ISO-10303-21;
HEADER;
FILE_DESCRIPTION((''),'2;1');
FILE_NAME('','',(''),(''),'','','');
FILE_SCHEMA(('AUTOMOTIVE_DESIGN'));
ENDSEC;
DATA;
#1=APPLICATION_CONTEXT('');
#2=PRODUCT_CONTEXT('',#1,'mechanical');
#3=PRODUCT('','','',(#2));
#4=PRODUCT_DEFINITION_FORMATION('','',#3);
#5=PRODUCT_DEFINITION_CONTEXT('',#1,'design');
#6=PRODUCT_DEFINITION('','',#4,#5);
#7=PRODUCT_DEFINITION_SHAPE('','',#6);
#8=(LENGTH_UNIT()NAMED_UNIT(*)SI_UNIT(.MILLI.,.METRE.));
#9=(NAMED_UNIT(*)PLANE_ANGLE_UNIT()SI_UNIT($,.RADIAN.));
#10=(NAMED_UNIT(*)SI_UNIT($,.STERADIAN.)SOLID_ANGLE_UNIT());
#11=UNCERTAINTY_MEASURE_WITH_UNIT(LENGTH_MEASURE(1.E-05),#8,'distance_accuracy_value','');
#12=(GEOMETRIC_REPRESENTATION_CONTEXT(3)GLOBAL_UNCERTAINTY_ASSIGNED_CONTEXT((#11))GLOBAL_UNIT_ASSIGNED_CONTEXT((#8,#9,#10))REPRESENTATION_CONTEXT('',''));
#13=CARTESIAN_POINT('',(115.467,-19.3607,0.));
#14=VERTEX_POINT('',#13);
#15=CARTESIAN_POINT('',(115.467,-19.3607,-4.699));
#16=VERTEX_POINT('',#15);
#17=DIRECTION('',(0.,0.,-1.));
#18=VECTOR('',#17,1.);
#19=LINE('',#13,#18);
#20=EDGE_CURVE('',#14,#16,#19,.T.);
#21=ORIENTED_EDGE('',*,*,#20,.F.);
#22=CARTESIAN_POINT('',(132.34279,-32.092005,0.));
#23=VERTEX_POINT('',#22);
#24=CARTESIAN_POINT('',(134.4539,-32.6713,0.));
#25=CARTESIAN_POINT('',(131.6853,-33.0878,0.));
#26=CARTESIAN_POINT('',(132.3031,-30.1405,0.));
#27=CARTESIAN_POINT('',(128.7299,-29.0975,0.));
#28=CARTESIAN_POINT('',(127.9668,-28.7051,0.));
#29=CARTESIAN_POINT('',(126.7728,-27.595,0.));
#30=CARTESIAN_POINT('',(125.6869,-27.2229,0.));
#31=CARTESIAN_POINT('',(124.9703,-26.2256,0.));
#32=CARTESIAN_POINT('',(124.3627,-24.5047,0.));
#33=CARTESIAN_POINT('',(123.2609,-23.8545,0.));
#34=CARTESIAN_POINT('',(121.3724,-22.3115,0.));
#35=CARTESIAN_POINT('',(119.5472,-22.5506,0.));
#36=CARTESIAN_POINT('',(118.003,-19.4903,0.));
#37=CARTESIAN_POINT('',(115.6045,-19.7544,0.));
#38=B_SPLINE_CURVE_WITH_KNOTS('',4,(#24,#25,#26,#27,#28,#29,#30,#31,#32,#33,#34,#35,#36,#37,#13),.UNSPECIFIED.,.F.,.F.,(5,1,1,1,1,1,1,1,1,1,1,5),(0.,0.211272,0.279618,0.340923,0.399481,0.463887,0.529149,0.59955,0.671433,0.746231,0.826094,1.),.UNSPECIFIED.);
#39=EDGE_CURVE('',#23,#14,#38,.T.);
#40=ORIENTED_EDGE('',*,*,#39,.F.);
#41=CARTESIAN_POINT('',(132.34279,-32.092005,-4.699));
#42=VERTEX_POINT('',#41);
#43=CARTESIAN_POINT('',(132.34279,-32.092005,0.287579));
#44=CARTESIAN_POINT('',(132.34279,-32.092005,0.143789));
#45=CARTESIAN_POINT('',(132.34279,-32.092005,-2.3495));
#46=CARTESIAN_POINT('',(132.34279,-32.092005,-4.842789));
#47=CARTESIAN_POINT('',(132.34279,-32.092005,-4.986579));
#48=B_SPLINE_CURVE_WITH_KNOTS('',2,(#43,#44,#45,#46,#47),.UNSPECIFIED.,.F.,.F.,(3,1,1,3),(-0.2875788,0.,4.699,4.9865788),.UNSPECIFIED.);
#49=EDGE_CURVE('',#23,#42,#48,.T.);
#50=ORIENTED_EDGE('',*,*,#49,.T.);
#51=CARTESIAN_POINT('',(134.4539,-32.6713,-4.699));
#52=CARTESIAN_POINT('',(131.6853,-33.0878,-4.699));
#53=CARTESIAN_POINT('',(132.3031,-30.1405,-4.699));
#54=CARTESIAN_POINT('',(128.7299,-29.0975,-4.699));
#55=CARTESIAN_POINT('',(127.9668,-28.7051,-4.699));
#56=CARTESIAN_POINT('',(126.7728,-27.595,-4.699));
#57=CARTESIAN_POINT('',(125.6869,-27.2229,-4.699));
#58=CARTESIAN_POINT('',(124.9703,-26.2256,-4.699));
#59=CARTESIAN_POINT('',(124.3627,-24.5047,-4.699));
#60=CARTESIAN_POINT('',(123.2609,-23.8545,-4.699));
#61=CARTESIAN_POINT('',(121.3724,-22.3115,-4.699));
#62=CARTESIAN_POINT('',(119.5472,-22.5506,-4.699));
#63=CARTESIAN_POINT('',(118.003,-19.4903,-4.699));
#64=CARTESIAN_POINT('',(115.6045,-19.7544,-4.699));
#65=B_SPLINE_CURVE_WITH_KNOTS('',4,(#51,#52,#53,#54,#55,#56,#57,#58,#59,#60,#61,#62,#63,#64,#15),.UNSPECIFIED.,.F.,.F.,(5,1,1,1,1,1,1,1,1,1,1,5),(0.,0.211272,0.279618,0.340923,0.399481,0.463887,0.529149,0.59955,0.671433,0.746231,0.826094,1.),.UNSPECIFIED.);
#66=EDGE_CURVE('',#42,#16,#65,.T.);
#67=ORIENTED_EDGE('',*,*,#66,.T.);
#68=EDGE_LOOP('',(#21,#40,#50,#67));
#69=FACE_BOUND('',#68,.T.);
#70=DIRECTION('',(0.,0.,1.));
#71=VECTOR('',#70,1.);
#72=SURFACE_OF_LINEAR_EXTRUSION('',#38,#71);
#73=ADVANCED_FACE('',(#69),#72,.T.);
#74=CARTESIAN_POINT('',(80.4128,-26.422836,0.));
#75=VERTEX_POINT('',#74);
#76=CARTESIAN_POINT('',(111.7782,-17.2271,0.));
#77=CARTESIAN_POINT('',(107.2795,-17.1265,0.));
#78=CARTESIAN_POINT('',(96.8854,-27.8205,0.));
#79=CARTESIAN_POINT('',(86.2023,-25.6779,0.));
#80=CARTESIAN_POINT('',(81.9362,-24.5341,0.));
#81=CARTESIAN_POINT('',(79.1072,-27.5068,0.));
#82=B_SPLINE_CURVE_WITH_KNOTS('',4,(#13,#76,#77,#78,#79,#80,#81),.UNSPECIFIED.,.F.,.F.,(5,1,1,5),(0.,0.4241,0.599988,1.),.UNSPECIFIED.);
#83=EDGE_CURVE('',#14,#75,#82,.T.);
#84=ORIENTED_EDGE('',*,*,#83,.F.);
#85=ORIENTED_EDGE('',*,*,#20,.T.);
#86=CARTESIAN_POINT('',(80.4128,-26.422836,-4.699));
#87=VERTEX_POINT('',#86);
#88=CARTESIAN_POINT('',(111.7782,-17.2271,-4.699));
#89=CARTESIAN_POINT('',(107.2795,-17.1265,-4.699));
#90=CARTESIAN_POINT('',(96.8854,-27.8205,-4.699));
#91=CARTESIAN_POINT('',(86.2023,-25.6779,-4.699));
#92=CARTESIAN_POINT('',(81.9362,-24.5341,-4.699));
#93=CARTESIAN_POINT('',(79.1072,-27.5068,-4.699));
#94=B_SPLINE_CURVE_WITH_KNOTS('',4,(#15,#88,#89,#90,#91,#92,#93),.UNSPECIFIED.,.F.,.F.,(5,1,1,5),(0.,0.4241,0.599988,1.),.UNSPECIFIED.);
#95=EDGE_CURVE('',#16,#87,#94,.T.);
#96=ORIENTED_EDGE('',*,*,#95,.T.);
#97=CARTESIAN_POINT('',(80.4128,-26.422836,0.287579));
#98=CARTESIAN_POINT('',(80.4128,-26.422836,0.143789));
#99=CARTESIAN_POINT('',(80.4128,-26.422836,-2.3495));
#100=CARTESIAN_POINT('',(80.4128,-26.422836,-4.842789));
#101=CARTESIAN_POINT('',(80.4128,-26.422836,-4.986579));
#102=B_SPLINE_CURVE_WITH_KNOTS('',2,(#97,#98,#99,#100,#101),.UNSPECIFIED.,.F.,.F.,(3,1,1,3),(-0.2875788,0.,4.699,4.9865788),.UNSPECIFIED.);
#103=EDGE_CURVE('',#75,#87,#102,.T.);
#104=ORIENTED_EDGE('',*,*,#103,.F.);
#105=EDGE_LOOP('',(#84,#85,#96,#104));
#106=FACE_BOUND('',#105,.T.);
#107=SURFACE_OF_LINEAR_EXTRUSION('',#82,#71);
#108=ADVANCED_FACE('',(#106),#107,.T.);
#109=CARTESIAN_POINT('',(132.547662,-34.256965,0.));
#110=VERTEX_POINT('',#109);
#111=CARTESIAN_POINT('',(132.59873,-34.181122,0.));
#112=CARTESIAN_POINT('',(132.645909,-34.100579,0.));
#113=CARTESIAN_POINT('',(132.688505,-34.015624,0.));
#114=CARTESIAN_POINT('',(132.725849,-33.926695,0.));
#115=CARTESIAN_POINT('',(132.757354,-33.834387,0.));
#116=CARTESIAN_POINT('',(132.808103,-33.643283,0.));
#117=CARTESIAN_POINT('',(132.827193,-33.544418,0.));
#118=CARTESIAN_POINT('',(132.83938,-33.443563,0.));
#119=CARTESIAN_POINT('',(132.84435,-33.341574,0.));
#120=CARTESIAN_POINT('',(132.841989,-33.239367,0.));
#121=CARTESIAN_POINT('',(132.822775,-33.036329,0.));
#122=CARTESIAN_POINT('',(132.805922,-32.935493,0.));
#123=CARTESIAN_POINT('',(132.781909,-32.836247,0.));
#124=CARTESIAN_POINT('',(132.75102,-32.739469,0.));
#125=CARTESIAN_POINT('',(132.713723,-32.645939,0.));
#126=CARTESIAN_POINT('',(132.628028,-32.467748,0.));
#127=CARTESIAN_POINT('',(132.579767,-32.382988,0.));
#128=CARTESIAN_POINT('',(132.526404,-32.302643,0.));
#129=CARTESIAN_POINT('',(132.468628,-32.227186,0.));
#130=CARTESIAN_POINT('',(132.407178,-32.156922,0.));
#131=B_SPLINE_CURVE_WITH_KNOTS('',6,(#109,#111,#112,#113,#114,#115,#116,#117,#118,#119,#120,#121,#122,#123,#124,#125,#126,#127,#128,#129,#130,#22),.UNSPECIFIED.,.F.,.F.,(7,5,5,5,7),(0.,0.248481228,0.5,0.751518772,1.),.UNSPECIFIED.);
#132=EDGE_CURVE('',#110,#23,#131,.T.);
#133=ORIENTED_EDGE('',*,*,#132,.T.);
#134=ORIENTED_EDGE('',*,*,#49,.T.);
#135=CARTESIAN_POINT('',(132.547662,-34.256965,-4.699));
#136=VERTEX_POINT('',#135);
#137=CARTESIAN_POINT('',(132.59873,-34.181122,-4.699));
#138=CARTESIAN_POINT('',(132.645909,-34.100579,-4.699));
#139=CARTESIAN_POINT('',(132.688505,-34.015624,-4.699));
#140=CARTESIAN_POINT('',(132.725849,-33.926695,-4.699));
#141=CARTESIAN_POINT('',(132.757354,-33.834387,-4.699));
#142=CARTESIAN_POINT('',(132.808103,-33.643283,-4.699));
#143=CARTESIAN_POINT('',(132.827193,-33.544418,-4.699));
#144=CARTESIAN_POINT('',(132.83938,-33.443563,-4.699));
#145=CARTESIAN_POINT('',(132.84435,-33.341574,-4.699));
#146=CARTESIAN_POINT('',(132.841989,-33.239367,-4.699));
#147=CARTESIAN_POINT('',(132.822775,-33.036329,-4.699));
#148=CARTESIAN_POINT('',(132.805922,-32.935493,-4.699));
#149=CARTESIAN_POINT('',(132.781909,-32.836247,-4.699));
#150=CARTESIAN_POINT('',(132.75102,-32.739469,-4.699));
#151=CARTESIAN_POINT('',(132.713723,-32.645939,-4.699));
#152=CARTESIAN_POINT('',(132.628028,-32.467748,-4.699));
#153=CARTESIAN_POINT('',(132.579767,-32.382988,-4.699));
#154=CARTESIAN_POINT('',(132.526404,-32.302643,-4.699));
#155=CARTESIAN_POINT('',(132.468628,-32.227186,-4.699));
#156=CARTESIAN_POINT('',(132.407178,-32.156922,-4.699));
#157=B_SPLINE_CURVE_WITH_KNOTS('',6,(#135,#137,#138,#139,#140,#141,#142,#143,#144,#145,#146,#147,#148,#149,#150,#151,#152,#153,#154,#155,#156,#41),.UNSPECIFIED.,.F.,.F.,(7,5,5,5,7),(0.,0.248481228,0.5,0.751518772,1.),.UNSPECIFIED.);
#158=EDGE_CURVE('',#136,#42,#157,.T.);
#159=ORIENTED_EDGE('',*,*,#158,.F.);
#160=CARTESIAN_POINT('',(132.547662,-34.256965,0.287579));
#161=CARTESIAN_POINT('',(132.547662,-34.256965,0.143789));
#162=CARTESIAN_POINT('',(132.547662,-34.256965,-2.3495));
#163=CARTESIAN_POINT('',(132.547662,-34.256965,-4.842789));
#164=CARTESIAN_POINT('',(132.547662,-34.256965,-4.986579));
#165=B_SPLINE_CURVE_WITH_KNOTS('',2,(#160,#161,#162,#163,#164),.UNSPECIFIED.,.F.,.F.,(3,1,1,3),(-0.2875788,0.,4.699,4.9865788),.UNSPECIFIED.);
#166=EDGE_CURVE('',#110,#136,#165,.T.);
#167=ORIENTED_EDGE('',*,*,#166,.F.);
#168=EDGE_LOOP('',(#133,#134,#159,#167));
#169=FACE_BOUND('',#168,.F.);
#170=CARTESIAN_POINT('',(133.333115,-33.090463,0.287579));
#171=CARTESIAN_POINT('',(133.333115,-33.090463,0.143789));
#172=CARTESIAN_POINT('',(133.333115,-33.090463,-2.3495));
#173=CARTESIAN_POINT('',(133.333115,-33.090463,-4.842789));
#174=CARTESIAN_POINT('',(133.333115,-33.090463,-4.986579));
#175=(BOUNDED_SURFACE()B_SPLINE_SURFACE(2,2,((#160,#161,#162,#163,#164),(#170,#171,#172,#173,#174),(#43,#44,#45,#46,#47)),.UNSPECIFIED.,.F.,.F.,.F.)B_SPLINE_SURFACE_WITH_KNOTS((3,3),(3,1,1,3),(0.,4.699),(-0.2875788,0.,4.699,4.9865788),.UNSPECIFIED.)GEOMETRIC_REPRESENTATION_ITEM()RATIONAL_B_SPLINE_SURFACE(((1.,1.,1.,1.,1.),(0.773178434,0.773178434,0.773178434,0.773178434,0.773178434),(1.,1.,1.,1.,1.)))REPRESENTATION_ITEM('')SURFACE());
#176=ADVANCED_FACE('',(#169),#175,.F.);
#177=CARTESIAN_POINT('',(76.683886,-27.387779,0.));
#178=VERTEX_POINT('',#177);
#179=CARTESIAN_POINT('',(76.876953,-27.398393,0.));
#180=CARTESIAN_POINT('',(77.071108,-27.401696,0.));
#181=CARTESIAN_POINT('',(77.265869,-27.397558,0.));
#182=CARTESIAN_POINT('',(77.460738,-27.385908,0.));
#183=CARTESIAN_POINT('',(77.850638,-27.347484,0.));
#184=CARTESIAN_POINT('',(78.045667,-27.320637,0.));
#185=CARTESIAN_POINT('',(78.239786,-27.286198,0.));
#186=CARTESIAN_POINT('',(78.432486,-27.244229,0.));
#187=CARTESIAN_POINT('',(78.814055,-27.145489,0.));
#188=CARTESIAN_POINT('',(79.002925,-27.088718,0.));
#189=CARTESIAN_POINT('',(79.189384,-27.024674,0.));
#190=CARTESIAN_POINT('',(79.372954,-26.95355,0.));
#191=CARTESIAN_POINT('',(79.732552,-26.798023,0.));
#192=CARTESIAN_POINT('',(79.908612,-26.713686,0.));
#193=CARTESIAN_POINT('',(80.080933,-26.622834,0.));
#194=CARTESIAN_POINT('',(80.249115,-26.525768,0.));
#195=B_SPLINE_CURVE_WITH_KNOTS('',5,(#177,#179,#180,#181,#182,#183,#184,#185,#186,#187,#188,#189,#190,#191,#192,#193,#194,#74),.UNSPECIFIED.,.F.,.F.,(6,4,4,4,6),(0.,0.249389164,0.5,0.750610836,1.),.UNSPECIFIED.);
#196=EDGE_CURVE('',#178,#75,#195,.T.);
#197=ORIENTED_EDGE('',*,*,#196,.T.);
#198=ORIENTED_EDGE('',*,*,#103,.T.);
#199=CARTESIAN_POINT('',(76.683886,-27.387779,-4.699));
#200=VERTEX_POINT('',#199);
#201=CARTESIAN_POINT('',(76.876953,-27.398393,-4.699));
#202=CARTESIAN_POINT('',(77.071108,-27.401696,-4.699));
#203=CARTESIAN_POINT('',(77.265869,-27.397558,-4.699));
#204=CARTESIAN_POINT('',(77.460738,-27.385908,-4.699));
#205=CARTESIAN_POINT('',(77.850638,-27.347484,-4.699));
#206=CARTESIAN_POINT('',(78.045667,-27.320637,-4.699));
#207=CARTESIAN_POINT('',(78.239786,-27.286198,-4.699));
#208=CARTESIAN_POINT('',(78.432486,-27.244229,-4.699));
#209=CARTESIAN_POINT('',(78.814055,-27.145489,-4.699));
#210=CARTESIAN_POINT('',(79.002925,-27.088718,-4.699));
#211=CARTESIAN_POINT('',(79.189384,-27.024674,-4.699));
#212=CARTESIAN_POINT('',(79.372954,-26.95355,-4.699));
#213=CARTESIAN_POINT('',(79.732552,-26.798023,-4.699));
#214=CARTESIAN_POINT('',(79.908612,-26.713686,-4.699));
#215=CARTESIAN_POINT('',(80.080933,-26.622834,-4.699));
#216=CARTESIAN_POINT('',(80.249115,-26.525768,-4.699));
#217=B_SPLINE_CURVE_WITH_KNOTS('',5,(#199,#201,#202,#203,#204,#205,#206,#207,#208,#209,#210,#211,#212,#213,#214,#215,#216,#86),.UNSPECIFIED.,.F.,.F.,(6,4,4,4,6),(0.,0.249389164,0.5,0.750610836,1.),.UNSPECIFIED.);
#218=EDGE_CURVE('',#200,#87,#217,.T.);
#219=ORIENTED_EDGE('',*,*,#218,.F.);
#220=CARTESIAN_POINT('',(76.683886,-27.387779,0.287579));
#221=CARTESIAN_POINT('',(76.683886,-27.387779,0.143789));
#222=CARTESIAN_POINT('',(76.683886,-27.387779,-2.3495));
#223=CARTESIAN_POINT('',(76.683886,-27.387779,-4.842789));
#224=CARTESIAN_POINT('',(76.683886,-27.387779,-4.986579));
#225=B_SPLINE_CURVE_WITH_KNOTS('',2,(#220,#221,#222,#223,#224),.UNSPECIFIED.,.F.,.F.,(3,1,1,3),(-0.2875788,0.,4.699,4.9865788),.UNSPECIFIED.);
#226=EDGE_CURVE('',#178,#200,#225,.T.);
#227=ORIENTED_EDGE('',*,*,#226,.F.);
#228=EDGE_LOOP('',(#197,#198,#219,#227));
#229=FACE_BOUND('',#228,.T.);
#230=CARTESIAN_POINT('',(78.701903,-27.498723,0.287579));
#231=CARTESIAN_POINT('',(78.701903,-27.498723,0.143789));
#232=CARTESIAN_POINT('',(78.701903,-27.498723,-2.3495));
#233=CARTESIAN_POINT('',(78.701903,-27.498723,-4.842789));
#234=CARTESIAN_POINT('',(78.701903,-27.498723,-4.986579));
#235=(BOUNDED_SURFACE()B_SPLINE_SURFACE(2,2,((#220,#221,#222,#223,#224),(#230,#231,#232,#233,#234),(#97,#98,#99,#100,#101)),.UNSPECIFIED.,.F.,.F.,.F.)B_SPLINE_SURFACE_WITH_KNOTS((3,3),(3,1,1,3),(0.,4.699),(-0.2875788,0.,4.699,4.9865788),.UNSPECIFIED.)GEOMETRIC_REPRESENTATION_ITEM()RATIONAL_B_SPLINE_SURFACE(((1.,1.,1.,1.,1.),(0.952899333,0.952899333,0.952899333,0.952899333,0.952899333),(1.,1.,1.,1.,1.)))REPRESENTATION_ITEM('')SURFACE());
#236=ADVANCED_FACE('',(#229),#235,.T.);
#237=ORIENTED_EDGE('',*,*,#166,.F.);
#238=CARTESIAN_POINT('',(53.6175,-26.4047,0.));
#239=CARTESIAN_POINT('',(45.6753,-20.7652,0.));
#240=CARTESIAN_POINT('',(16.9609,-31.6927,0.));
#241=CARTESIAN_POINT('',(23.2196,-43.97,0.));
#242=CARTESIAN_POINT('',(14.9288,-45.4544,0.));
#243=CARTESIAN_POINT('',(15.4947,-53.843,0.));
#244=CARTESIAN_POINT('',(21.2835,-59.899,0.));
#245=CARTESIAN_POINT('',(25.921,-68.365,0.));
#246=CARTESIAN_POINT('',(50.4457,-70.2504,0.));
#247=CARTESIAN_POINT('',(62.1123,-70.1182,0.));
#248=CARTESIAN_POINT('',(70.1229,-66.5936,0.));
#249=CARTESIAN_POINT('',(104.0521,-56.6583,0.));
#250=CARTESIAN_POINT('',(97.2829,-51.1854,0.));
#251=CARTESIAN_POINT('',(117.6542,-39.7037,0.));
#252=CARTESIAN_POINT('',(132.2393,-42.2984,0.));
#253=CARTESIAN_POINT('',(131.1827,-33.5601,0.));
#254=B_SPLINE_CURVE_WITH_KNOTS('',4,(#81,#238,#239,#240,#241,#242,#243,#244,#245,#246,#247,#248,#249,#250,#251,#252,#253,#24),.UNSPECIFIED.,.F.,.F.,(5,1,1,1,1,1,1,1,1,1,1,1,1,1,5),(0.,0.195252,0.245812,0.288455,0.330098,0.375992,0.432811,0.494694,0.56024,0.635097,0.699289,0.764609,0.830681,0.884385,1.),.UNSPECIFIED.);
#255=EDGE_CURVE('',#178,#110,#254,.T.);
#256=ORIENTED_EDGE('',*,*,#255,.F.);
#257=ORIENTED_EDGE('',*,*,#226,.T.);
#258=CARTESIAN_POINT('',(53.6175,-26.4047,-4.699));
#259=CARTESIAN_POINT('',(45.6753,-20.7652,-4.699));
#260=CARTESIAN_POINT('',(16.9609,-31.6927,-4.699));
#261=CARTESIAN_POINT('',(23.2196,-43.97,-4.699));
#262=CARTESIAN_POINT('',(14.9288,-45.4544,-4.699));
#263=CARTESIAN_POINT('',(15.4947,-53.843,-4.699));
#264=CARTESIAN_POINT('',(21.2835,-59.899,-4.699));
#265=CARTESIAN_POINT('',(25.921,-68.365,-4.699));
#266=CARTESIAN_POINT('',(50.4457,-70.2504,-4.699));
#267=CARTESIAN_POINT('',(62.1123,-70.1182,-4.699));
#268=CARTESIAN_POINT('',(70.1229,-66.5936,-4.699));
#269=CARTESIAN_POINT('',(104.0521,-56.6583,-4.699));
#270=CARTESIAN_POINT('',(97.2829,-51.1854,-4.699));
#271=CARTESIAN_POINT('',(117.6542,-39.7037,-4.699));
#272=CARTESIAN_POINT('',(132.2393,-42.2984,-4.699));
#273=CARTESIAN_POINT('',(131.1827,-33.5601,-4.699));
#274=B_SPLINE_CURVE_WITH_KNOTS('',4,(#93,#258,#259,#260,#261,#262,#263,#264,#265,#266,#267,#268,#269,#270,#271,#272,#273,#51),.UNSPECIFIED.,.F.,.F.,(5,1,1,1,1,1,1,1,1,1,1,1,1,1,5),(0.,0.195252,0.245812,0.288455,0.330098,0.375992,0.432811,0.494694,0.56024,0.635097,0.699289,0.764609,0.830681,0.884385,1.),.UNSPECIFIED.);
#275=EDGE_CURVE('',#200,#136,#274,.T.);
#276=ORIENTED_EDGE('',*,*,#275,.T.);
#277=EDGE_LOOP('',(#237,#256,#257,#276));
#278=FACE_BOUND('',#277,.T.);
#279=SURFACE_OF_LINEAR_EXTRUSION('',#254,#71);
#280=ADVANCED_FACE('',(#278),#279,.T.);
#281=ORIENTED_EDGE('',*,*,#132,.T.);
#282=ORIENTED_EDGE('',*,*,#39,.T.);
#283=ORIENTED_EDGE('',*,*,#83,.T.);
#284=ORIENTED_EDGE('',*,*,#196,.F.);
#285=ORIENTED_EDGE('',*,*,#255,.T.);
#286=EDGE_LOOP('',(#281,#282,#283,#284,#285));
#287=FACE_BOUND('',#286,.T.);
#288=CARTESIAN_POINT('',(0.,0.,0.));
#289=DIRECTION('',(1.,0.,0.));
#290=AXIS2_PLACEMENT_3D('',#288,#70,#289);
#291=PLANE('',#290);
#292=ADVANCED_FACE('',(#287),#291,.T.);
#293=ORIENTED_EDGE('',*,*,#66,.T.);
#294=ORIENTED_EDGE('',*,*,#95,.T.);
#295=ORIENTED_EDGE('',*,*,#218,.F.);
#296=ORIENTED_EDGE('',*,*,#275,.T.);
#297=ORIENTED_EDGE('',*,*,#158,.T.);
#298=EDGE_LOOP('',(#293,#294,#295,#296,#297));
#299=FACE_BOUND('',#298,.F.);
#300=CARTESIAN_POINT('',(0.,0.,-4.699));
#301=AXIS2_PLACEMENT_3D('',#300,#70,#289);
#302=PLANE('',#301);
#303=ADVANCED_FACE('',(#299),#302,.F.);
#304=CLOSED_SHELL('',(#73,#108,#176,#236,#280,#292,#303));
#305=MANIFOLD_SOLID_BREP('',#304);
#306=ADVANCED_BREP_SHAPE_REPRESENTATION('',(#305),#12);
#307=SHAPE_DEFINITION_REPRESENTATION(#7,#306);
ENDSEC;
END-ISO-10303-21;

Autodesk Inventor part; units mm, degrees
ref_plane "YZ Plane" through (0, 0, 0) normal (1, 0, 0) x (0, 1, 0)
ref_plane "XZ Plane" through (0, 0, 0) normal (0, 1, 0) x (-1, 0, 0)
ref_plane "XY Plane" through (0, 0, 0) normal (0, 0, 1) x (1, 0, 0)
sketch "Sketch1" plane through (0, 0, 0) normal (0, 0, 1) x (1, 0, 0)
  line L0 (0, 0) -> (155.2665, 0) construction
  line L1 (155.2665, 0) -> (155.2665, -114.3) construction
  line L2 (155.2665, -114.3) -> (0, -114.3) construction
  line L3 (0, -114.3) -> (0, 0) construction
  spline S0 degree 4 poles (134.4539, -32.6713) (131.6853, -33.0878) (132.3031, -30.1405) (128.7299, -29.0975) (127.9668, -28.7051) (126.7728, -27.595) (125.6869, -27.2229) (124.9703, -26.2256) (124.3627, -24.5047) (123.2609, -23.8545) (121.3724, -22.3115) (119.5472, -22.5506) (118.003, -19.4903) (115.6045, -19.7544) (115.467, -19.3607) knots 0 0 0 0 0 0.211272 0.279618 0.340923 0.399481 0.463887 0.529149 0.59955 0.671433 0.746231 0.826094 1 1 1 1 1
  spline S1 degree 4 poles (115.467, -19.3607) (111.7782, -17.2271) (107.2795, -17.1265) (96.8854, -27.8205) (86.2023, -25.6779) (81.9362, -24.5341) (79.1072, -27.5068) knots 0 0 0 0 0 0.4241 0.599988 1 1 1 1 1
  spline S2 degree 4 poles (79.1072, -27.5068) (53.6175, -26.4047) (45.6753, -20.7652) (16.9609, -31.6927) (23.2196, -43.97) (14.9288, -45.4544) (15.4947, -53.843) (21.2835, -59.899) (25.921, -68.365) (50.4457, -70.2504) (62.1123, -70.1182) (70.1229, -66.5936) (104.0521, -56.6583) (97.2829, -51.1854) (117.6542, -39.7037) (132.2393, -42.2984) (131.1827, -33.5601) (134.4539, -32.6713) knots 0 0 0 0 0 0.195252 0.245812 0.288455 0.330098 0.375992 0.432811 0.494694 0.56024 0.635097 0.699289 0.764609 0.830681 0.884385 1 1 1 1 1
  point P0 (131.7696, -31.3844)
  point P1 (129.9872, -29.6001)
  point P2 (128.4981, -28.932)
  point P3 (127.8596, -28.5585)
  point P4 (126.8072, -27.7466)
  point P5 (125.8037, -27.1289)
  point P6 (125.0665, -26.2208)
  point P7 (124.3033, -24.7785)
  point P8 (123.2261, -23.7723)
  point P9 (121.445, -22.6427)
  point P10 (120.1261, -22.1449)
  point P11 (118.4173, -20.7488)
  point P12 (116.1791, -19.6745)
  point P13 (110.3408, -18.0275)
  point P14 (104.329, -20.3615)
  point P15 (96.1307, -24.796)
  point P16 (88.8376, -25.7335)
  point P17 (83.4118, -25.4981)
  point P18 (43.4642, -25.5282)
  point P19 (26.8269, -31.4039)
  point P20 (21.6011, -38.8087)
  point P21 (20.7479, -43.1813)
  point P22 (16.9085, -46.3808)
  point P23 (16.0553, -52.0332)
  point P24 (19.8947, -58.7521)
  point P25 (26.6136, -65.471)
  point P26 (48.5834, -69.8436)
  point P27 (61.168, -69.417)
  point P28 (73.7526, -65.791)
  point P29 (98.8152, -55.3393)
  point P30 (101.5881, -50.86)
  point P31 (114.0661, -43.5012)
  point P32 (127.9154, -39.6619)
  point P33 (131.7869, -35.5025)
  dimension "d5" = 114.3
extrude "Extrusion1" add sketch "Sketch1" against normal blind 4.699
fillet "Fillet1" radius 1.7145 1 edges at (134.4539, -32.6713, -2.3495)
fillet "Fillet2" radius 6.35 1 edges at (79.1072, -27.5068, -2.3495)
sketch "Sketch2" plane through (0, 0, 0) normal (0, 0, 1) x (1, 0, 0)
  line L0 (37.3888, -19.4804) -> (42.0878, -19.4804)
  line L1 (42.0878, -19.4804) -> (42.0878, -37.289)
  line L2 (42.0878, -37.289) -> (37.3888, -37.289)
  line L3 (37.3888, -37.289) -> (37.3888, -19.4804)
  point P0 (0, 0)
  point P1 (132.5477, -34.2569)
  point P2 (132.3428, -32.092)
  point P3 (115.467, -19.3607)
  point P4 (80.4128, -26.4228)
  point P5 (76.6839, -27.3877)
  dimension "d49" = 4.699
  dimension "d50" = 17.8086
properties part number "Idea 1"
